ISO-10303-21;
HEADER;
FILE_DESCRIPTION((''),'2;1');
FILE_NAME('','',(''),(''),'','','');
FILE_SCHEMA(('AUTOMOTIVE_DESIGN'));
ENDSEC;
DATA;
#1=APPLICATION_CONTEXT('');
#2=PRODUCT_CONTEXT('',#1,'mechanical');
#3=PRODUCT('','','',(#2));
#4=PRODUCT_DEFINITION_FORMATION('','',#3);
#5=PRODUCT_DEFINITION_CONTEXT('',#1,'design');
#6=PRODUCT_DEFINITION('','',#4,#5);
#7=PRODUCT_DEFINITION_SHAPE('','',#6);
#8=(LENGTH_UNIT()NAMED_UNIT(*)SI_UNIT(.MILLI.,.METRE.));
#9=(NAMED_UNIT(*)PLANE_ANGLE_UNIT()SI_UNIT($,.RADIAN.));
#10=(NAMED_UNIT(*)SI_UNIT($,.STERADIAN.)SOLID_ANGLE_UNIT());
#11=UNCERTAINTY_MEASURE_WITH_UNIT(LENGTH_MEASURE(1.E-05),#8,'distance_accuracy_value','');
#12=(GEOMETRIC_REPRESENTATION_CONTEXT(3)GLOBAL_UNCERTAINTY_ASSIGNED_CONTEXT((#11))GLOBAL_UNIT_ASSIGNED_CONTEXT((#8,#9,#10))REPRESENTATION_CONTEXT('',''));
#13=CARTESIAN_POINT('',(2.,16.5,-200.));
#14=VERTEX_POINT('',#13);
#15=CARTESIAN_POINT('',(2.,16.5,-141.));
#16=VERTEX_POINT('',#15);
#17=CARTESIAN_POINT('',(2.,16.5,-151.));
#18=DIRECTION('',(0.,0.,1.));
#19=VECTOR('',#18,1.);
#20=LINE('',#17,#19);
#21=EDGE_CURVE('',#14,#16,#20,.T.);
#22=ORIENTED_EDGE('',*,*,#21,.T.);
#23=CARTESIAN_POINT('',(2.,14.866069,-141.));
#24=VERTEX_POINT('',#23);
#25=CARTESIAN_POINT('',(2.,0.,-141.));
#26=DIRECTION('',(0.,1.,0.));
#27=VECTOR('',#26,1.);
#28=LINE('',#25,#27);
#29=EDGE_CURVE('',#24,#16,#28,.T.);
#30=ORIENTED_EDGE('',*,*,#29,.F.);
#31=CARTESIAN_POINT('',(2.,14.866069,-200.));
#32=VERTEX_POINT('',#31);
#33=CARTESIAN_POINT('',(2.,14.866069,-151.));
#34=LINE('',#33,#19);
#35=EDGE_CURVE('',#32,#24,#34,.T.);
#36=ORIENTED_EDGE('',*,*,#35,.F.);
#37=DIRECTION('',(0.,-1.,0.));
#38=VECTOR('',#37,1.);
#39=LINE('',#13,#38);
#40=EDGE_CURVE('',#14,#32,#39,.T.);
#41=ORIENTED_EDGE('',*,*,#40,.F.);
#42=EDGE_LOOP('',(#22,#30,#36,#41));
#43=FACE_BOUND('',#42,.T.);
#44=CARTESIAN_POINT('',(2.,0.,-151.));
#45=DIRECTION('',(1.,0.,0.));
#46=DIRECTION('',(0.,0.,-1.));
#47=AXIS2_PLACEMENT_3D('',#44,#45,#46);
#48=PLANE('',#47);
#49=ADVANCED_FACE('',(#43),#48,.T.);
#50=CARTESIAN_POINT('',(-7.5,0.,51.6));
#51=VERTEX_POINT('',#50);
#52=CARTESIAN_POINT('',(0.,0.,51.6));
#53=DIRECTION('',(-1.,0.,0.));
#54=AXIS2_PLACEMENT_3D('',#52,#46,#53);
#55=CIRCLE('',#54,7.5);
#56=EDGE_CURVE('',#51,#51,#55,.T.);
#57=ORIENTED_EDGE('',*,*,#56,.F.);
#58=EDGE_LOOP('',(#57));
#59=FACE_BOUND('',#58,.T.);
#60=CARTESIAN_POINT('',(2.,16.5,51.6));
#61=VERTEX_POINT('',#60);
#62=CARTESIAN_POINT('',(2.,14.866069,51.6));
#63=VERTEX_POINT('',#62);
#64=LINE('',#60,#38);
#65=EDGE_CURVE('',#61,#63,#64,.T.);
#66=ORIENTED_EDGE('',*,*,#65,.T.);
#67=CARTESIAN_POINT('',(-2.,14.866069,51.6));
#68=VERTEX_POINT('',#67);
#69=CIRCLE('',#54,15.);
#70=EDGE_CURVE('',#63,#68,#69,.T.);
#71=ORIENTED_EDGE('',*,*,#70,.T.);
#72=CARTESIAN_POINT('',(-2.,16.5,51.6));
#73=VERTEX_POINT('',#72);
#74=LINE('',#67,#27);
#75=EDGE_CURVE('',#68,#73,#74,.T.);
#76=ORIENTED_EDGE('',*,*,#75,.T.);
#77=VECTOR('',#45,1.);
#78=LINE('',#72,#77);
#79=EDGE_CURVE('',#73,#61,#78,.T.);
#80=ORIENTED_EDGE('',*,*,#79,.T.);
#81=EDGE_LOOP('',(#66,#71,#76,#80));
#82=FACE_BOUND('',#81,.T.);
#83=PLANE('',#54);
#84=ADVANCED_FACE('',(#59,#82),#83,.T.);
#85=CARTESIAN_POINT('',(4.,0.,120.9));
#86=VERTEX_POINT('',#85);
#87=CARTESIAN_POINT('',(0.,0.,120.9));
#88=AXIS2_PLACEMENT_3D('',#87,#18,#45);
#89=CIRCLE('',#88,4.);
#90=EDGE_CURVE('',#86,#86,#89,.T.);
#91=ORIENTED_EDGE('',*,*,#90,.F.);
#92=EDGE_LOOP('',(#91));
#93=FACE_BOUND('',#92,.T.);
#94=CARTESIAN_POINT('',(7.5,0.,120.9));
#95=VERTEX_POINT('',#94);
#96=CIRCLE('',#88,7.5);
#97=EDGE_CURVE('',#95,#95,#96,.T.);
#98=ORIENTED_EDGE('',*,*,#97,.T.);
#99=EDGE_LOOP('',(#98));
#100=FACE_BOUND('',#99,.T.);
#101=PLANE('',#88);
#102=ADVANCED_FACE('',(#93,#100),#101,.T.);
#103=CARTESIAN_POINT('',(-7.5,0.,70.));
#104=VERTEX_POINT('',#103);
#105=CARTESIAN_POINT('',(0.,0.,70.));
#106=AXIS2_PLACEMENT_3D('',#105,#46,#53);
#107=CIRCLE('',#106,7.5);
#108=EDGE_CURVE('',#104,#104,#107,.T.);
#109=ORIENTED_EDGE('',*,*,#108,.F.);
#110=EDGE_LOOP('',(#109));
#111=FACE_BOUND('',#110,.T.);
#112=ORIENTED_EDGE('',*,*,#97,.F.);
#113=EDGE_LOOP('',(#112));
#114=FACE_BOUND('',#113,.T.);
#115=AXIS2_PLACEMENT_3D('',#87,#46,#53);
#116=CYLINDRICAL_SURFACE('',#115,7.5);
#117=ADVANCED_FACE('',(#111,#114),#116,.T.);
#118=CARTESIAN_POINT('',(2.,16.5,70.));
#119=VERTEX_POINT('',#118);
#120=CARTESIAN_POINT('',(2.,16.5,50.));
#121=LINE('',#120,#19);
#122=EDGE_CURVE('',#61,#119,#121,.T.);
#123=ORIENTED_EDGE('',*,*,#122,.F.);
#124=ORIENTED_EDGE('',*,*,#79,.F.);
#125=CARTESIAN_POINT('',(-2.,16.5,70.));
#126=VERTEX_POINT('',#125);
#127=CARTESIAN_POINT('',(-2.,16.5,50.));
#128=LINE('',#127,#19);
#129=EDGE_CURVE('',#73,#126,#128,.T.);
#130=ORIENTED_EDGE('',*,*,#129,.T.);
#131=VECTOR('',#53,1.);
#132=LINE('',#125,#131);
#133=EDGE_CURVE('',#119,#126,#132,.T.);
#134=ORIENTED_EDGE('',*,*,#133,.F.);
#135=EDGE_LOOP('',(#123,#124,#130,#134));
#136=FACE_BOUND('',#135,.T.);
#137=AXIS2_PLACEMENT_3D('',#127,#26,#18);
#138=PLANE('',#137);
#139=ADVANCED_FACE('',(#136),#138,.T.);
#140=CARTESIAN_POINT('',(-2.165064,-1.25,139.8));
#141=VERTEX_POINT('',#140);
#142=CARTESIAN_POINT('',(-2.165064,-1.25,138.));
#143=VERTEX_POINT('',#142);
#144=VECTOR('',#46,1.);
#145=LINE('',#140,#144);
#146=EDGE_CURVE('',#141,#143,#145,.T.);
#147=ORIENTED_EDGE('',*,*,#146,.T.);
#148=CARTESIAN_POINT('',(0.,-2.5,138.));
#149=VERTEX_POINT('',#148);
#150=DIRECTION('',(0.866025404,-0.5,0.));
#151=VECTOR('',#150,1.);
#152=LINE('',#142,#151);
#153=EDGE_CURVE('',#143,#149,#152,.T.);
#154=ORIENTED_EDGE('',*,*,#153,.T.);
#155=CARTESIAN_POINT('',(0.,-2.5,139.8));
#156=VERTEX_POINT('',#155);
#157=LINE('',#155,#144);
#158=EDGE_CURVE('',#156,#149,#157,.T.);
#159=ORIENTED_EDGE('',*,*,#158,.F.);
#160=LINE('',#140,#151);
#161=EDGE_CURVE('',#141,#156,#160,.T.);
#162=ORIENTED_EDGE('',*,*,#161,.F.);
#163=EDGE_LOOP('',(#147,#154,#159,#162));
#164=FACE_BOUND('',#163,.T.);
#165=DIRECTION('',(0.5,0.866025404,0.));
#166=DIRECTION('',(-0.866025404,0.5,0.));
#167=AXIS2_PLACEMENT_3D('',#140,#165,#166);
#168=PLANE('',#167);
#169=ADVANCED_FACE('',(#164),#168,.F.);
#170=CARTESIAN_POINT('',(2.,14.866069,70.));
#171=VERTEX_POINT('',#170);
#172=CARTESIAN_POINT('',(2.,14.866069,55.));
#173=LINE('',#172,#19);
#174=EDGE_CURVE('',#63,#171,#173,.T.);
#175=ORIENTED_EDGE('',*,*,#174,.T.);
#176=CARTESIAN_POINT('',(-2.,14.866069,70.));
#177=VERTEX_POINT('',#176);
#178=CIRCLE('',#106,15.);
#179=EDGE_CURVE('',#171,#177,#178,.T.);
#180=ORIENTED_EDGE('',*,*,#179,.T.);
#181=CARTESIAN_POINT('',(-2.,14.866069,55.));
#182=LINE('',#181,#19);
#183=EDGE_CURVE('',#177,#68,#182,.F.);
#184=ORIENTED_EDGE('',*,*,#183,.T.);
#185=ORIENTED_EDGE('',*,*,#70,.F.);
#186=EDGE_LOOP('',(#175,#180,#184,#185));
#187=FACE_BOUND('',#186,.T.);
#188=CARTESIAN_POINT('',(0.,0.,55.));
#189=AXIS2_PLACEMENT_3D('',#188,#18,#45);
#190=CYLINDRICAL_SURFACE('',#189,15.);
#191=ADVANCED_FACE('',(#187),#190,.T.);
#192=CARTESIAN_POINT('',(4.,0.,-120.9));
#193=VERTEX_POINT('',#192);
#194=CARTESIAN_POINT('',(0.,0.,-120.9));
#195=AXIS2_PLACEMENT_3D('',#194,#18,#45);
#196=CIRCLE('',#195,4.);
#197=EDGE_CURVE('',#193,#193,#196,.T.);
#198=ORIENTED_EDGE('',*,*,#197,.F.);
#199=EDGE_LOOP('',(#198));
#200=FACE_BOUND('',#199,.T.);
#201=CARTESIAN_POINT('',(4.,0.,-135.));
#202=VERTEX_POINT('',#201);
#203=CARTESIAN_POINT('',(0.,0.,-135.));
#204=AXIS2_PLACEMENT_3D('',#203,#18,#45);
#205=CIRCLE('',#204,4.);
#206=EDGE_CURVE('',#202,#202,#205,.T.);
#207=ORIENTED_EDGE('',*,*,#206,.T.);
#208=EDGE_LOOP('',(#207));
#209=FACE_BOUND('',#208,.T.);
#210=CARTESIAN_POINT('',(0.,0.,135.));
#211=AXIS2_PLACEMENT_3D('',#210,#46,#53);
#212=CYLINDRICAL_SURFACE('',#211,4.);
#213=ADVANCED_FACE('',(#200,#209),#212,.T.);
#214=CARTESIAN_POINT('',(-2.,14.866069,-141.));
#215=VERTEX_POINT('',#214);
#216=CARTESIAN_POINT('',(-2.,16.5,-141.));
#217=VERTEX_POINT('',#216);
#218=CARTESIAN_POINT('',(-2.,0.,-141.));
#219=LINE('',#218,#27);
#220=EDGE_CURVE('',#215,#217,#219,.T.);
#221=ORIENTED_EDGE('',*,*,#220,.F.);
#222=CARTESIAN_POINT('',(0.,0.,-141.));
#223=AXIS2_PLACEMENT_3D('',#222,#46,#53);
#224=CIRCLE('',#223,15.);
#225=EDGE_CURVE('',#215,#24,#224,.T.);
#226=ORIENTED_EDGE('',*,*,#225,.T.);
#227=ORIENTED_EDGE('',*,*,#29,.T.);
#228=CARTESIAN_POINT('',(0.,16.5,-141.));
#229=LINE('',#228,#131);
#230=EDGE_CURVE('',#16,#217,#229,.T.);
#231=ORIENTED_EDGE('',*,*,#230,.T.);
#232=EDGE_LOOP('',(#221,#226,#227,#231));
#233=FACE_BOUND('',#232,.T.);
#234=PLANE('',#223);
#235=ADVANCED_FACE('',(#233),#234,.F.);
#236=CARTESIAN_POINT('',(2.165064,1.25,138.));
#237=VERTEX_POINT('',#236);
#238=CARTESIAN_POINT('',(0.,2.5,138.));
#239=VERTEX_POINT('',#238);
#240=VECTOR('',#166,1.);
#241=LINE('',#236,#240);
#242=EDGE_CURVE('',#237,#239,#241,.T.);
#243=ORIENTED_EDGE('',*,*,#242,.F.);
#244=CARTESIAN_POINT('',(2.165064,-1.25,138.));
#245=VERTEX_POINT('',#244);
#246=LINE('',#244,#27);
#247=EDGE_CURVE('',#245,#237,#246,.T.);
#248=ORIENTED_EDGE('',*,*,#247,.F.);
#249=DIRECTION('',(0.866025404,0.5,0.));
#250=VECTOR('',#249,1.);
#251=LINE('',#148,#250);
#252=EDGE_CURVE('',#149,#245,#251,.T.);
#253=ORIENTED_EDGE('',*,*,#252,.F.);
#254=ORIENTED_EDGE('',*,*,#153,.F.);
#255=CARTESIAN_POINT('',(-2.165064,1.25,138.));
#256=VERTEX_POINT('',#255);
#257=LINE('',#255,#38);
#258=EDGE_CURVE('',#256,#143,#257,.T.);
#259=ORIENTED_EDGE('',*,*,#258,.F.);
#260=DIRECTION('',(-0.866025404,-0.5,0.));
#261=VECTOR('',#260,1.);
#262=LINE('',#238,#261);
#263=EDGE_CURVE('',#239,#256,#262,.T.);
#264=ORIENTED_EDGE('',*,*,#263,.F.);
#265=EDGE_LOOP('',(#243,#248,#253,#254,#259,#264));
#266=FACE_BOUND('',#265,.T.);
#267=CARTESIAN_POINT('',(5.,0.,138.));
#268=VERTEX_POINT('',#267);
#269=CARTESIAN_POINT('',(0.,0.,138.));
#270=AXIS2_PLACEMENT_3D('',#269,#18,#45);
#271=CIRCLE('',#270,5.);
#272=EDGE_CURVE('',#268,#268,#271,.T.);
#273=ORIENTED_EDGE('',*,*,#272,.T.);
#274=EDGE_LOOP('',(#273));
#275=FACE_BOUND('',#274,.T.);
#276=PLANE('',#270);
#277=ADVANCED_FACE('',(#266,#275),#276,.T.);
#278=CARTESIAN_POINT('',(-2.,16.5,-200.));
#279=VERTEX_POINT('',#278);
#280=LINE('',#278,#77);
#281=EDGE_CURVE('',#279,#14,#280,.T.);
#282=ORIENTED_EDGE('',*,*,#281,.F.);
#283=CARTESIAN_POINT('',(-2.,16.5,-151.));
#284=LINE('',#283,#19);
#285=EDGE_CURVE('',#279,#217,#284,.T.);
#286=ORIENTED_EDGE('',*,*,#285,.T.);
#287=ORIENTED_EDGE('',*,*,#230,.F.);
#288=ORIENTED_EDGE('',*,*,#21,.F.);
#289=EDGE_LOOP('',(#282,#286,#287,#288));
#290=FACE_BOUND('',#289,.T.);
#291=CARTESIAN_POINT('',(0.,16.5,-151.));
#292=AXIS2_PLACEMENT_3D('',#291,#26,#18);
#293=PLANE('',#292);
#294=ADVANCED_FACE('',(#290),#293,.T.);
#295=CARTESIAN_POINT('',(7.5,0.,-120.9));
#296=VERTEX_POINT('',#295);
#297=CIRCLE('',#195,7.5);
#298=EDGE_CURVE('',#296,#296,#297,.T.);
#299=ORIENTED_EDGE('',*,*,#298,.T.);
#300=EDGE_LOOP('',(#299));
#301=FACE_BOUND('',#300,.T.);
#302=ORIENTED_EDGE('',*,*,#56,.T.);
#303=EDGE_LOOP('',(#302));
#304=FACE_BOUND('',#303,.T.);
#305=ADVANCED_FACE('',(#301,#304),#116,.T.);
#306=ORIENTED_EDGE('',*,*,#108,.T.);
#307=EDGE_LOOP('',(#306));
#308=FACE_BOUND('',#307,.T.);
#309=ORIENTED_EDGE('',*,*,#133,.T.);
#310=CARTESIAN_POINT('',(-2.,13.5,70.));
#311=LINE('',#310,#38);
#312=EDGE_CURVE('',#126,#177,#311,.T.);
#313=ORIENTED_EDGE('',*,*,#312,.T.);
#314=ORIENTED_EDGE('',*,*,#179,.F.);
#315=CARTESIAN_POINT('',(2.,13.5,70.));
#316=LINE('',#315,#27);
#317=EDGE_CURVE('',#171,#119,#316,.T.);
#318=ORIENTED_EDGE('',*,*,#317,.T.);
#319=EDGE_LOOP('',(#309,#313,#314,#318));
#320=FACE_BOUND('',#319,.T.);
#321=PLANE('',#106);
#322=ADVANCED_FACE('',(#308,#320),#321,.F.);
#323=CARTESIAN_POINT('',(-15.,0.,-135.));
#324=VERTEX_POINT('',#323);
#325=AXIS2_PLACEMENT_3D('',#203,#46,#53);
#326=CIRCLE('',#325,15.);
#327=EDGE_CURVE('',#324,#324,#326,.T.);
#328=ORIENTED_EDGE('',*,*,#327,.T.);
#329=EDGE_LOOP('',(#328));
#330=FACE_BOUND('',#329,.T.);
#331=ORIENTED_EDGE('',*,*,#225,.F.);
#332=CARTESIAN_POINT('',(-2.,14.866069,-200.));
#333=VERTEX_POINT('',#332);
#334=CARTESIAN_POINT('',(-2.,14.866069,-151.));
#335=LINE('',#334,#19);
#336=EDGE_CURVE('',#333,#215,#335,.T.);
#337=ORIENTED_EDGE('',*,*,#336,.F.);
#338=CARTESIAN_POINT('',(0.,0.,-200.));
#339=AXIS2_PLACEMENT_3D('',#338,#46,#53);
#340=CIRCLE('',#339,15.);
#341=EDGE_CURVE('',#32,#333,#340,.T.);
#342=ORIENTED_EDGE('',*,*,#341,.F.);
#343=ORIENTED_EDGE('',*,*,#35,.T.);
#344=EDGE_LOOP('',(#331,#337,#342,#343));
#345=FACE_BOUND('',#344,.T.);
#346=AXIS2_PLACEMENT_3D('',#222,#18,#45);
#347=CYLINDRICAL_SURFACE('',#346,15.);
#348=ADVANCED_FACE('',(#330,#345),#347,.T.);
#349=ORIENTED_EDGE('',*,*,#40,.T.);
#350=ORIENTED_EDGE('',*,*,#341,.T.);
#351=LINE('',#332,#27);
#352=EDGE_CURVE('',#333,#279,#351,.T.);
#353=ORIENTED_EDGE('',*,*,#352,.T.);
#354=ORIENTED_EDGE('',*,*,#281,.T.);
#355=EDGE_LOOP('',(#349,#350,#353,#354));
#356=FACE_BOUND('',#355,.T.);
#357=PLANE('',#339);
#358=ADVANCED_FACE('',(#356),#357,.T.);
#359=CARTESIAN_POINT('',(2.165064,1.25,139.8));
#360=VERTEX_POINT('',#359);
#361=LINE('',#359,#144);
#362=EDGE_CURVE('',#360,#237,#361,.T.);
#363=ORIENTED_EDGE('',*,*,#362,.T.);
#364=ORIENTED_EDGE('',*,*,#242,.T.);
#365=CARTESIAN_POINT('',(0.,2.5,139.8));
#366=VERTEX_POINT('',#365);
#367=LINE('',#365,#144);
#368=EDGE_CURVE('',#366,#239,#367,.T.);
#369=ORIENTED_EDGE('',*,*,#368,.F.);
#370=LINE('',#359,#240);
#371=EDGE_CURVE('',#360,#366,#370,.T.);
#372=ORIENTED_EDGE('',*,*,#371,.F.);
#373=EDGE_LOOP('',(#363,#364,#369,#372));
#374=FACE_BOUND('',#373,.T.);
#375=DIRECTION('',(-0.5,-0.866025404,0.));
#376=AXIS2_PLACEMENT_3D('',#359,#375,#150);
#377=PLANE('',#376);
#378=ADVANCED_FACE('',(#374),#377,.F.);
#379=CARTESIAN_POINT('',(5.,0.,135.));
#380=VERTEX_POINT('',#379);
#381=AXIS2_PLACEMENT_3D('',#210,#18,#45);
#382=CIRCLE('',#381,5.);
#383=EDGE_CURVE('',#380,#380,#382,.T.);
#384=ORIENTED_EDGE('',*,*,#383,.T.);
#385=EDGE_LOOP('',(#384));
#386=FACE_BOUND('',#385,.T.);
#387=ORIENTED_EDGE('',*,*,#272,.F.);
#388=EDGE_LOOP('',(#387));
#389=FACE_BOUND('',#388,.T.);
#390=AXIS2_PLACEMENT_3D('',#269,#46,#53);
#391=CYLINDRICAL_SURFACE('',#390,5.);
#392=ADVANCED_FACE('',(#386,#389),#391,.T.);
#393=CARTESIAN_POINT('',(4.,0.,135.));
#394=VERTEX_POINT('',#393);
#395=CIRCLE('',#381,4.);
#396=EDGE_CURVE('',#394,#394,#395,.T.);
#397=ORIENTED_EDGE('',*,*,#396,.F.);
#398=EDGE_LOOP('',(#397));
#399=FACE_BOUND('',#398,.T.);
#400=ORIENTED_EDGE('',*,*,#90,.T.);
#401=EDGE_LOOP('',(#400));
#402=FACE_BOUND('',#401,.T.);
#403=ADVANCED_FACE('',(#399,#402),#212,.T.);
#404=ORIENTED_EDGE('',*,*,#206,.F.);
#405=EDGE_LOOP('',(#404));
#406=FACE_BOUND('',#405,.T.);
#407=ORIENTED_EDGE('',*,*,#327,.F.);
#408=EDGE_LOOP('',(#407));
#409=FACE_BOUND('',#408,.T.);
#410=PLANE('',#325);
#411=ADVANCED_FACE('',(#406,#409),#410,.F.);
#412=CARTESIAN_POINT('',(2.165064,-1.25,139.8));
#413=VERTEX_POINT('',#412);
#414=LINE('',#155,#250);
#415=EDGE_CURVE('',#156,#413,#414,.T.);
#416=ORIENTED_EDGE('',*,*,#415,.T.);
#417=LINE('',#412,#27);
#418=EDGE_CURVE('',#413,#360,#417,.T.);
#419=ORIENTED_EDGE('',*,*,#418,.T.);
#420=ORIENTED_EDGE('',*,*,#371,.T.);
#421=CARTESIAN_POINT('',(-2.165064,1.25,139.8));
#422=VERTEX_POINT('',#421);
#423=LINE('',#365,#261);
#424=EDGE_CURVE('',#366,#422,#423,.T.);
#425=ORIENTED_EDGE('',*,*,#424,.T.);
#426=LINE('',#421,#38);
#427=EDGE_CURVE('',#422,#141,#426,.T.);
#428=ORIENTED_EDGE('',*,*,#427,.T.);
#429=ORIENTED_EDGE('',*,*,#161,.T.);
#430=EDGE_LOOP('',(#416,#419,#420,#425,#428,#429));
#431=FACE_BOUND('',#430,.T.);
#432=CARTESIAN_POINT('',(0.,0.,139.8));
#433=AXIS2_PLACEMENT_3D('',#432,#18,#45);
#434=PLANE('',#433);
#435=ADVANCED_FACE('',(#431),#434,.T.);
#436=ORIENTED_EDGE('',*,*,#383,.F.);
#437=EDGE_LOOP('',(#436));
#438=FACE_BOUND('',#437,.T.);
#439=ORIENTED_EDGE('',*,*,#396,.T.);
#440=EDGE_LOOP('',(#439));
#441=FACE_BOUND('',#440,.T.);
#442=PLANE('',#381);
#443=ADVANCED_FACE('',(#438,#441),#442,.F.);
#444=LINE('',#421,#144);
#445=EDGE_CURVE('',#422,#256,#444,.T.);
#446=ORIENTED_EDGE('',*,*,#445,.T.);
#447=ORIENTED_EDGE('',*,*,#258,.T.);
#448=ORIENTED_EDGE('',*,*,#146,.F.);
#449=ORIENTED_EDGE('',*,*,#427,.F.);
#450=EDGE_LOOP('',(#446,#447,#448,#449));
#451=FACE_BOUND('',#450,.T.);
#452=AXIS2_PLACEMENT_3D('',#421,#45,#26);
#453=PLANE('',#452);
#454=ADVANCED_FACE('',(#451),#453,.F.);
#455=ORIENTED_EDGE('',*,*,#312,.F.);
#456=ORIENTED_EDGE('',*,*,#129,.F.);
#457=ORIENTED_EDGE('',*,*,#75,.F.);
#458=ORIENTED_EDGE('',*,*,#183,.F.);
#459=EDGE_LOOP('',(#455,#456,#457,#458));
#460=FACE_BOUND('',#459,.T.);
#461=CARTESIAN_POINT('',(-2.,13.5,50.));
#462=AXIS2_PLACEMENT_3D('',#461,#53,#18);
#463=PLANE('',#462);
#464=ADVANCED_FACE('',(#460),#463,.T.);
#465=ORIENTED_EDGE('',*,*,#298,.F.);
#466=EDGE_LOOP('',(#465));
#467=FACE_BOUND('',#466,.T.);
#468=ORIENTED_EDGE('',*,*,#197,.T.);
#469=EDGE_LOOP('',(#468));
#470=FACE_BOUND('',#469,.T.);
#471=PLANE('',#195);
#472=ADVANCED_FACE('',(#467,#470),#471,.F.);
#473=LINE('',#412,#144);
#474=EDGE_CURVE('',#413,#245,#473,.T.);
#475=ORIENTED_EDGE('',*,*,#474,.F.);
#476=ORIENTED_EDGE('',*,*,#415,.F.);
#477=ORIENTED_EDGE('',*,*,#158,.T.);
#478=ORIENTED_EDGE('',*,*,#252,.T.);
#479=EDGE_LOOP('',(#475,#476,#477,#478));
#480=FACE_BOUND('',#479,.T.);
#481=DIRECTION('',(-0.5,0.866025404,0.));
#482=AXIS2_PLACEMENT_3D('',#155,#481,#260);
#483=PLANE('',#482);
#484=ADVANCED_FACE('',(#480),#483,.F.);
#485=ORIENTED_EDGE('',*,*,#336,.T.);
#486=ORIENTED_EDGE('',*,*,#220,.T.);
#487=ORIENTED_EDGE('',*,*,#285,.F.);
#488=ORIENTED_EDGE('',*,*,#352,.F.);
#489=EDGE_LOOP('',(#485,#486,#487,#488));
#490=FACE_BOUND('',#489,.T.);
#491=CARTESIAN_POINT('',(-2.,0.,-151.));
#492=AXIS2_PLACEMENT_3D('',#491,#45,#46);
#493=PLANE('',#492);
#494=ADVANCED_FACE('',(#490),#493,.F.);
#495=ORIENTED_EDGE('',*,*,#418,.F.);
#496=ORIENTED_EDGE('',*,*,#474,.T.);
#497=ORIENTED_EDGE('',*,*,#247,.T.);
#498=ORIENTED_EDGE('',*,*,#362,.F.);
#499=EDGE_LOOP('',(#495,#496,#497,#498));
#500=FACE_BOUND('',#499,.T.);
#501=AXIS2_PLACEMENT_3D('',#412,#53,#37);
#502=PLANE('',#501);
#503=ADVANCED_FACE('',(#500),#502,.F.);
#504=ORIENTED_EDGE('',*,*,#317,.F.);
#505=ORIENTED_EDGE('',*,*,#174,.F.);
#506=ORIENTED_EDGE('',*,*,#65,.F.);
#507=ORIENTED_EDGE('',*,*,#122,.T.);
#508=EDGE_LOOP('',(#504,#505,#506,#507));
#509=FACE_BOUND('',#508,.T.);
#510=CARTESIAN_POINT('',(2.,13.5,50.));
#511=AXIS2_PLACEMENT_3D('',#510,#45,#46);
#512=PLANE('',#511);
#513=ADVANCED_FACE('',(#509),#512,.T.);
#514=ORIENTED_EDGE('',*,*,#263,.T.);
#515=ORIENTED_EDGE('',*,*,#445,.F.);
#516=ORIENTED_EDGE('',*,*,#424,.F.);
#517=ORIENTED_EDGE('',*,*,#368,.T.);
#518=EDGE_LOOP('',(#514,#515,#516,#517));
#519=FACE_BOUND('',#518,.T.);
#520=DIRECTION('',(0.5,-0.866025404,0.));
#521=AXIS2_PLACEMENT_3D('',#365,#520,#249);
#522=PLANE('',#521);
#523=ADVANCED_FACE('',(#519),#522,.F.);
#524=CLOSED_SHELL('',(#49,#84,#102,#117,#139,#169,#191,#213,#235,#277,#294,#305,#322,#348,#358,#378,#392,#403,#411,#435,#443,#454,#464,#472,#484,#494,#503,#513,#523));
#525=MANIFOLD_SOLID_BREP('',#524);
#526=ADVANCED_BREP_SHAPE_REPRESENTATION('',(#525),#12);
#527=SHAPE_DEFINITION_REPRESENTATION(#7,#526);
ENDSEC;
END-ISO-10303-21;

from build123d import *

# Parameters (mm, degrees)
CROQUIS1_R               = 4
SALIENTE_EXTRUIR1_DEPTH  = 135
CROQUIS2_R               = 5
SALIENTE_EXTRUIR2_DEPTH  = 3
SALIENTE_EXTRUIR3_DEPTH  = 1.8
CROQUIS4_R               = 7.5
SALIENTE_EXTRUIR4_DEPTH  = 120.9
CROQUIS5_R               = 15
SALIENTE_EXTRUIR5_DEPTH  = 15
CROQUIS7_W               = 4
CROQUIS7_H               = 3
SALIENTE_EXTRUIR6_DEPTH  = 15
SALIENTE_EXTRUIR7_DEPTH  = 3.4
CROQUIS9_R               = 15
SALIENTE_EXTRUIR8_DEPTH  = 6
CROQUIS10_R              = 15
SALIENTE_EXTRUIR9_DEPTH  = 10
SALIENTE_EXTRUIR10_DEPTH = 49


with BuildPart() as part:
    # Croquis1 → Saliente-Extruir1 (new, symmetric)
    with BuildSketch(Plane.XY):
        Circle(CROQUIS1_R)
    extrude(amount=SALIENTE_EXTRUIR1_DEPTH, both=True)

    # Croquis2 → Saliente-Extruir2 (add)
    with BuildSketch(Plane.XY.offset(135)):
        Circle(CROQUIS2_R)
    extrude(amount=SALIENTE_EXTRUIR2_DEPTH)

    # Croquis3 → Saliente-Extruir3 (add)
    with BuildSketch(Plane.XY.offset(138)):
        Polygon((0, 2.5), (-2.165063509, 1.25), (-2.165063509, -1.25), (0, -2.5), (2.165063509, -1.25), (2.165063509, 1.25), align=None)
    extrude(amount=SALIENTE_EXTRUIR3_DEPTH)

    # Croquis4 → Saliente-Extruir4 (add, symmetric)
    with BuildSketch(Plane.XY):
        Circle(CROQUIS4_R)
    extrude(amount=SALIENTE_EXTRUIR4_DEPTH, both=True)

    # Croquis5 → Saliente-Extruir5 (add)
    with BuildSketch(Plane(origin=(0, 0, 70), x_dir=(-1, 0, 0), z_dir=(0, 0, -1))):
        Circle(CROQUIS5_R)
    extrude(amount=SALIENTE_EXTRUIR5_DEPTH)

    # Croquis7 → Saliente-Extruir6 (add)
    with BuildSketch(Plane.XY.offset(70)):
        with Locations((0, 15)):
            Rectangle(CROQUIS7_W, CROQUIS7_H)
    extrude(amount=-SALIENTE_EXTRUIR6_DEPTH)

    # Croquis8 → Saliente-Extruir7 (add)
    with BuildSketch(Plane(origin=(0, 0, 55), x_dir=(-1, 0, 0), z_dir=(0, 0, -1))):
        with BuildLine():
            Line((2, 14.866068747), (2, 16.5))
            Line((2, 16.5), (-2, 16.5))
            Line((-2, 16.5), (-2, 14.866068747))
            ThreePointArc((-2, 14.866068747), (0, -15), (2, 14.866068747))
        make_face()
    extrude(amount=SALIENTE_EXTRUIR7_DEPTH)

    # Croquis9 → Saliente-Extruir8 (add)
    with BuildSketch(Plane(origin=(0, 0, -135), x_dir=(-1, 0, 0), z_dir=(0, 0, -1))):
        Circle(CROQUIS9_R)
    extrude(amount=SALIENTE_EXTRUIR8_DEPTH)

    # Croquis10 → Saliente-Extruir9 (add)
    with BuildSketch(Plane(origin=(0, 0, -141), x_dir=(-1, 0, 0), z_dir=(0, 0, -1))):
        with Locations(Location((0, 0, 0), (0, 0, 97.662255661))):
            Circle(CROQUIS10_R)
        with BuildLine():
            Line((-2, 16.5), (-2, 14.866068747))
            ThreePointArc((-2, 14.866068747), (0, 15), (2, 14.866068747))
            Line((2, 14.866068747), (2, 16.5))
            Line((2, 16.5), (-2, 16.5))
        make_face()
    extrude(amount=SALIENTE_EXTRUIR9_DEPTH)

    # Croquis11 → Saliente-Extruir10 (add)
    with BuildSketch(Plane(origin=(0, 0, -151), x_dir=(-1, 0, 0), z_dir=(0, 0, -1))):
        with BuildLine():
            Line((2, 14.866068747), (2, 16.5))
            Line((2, 16.5), (-2, 16.5))
            Line((-2, 16.5), (-2, 14.866068747))
            ThreePointArc((-2, 14.866068747), (0, -15), (2, 14.866068747))
        make_face()
    extrude(amount=SALIENTE_EXTRUIR10_DEPTH)


solid = part.part
